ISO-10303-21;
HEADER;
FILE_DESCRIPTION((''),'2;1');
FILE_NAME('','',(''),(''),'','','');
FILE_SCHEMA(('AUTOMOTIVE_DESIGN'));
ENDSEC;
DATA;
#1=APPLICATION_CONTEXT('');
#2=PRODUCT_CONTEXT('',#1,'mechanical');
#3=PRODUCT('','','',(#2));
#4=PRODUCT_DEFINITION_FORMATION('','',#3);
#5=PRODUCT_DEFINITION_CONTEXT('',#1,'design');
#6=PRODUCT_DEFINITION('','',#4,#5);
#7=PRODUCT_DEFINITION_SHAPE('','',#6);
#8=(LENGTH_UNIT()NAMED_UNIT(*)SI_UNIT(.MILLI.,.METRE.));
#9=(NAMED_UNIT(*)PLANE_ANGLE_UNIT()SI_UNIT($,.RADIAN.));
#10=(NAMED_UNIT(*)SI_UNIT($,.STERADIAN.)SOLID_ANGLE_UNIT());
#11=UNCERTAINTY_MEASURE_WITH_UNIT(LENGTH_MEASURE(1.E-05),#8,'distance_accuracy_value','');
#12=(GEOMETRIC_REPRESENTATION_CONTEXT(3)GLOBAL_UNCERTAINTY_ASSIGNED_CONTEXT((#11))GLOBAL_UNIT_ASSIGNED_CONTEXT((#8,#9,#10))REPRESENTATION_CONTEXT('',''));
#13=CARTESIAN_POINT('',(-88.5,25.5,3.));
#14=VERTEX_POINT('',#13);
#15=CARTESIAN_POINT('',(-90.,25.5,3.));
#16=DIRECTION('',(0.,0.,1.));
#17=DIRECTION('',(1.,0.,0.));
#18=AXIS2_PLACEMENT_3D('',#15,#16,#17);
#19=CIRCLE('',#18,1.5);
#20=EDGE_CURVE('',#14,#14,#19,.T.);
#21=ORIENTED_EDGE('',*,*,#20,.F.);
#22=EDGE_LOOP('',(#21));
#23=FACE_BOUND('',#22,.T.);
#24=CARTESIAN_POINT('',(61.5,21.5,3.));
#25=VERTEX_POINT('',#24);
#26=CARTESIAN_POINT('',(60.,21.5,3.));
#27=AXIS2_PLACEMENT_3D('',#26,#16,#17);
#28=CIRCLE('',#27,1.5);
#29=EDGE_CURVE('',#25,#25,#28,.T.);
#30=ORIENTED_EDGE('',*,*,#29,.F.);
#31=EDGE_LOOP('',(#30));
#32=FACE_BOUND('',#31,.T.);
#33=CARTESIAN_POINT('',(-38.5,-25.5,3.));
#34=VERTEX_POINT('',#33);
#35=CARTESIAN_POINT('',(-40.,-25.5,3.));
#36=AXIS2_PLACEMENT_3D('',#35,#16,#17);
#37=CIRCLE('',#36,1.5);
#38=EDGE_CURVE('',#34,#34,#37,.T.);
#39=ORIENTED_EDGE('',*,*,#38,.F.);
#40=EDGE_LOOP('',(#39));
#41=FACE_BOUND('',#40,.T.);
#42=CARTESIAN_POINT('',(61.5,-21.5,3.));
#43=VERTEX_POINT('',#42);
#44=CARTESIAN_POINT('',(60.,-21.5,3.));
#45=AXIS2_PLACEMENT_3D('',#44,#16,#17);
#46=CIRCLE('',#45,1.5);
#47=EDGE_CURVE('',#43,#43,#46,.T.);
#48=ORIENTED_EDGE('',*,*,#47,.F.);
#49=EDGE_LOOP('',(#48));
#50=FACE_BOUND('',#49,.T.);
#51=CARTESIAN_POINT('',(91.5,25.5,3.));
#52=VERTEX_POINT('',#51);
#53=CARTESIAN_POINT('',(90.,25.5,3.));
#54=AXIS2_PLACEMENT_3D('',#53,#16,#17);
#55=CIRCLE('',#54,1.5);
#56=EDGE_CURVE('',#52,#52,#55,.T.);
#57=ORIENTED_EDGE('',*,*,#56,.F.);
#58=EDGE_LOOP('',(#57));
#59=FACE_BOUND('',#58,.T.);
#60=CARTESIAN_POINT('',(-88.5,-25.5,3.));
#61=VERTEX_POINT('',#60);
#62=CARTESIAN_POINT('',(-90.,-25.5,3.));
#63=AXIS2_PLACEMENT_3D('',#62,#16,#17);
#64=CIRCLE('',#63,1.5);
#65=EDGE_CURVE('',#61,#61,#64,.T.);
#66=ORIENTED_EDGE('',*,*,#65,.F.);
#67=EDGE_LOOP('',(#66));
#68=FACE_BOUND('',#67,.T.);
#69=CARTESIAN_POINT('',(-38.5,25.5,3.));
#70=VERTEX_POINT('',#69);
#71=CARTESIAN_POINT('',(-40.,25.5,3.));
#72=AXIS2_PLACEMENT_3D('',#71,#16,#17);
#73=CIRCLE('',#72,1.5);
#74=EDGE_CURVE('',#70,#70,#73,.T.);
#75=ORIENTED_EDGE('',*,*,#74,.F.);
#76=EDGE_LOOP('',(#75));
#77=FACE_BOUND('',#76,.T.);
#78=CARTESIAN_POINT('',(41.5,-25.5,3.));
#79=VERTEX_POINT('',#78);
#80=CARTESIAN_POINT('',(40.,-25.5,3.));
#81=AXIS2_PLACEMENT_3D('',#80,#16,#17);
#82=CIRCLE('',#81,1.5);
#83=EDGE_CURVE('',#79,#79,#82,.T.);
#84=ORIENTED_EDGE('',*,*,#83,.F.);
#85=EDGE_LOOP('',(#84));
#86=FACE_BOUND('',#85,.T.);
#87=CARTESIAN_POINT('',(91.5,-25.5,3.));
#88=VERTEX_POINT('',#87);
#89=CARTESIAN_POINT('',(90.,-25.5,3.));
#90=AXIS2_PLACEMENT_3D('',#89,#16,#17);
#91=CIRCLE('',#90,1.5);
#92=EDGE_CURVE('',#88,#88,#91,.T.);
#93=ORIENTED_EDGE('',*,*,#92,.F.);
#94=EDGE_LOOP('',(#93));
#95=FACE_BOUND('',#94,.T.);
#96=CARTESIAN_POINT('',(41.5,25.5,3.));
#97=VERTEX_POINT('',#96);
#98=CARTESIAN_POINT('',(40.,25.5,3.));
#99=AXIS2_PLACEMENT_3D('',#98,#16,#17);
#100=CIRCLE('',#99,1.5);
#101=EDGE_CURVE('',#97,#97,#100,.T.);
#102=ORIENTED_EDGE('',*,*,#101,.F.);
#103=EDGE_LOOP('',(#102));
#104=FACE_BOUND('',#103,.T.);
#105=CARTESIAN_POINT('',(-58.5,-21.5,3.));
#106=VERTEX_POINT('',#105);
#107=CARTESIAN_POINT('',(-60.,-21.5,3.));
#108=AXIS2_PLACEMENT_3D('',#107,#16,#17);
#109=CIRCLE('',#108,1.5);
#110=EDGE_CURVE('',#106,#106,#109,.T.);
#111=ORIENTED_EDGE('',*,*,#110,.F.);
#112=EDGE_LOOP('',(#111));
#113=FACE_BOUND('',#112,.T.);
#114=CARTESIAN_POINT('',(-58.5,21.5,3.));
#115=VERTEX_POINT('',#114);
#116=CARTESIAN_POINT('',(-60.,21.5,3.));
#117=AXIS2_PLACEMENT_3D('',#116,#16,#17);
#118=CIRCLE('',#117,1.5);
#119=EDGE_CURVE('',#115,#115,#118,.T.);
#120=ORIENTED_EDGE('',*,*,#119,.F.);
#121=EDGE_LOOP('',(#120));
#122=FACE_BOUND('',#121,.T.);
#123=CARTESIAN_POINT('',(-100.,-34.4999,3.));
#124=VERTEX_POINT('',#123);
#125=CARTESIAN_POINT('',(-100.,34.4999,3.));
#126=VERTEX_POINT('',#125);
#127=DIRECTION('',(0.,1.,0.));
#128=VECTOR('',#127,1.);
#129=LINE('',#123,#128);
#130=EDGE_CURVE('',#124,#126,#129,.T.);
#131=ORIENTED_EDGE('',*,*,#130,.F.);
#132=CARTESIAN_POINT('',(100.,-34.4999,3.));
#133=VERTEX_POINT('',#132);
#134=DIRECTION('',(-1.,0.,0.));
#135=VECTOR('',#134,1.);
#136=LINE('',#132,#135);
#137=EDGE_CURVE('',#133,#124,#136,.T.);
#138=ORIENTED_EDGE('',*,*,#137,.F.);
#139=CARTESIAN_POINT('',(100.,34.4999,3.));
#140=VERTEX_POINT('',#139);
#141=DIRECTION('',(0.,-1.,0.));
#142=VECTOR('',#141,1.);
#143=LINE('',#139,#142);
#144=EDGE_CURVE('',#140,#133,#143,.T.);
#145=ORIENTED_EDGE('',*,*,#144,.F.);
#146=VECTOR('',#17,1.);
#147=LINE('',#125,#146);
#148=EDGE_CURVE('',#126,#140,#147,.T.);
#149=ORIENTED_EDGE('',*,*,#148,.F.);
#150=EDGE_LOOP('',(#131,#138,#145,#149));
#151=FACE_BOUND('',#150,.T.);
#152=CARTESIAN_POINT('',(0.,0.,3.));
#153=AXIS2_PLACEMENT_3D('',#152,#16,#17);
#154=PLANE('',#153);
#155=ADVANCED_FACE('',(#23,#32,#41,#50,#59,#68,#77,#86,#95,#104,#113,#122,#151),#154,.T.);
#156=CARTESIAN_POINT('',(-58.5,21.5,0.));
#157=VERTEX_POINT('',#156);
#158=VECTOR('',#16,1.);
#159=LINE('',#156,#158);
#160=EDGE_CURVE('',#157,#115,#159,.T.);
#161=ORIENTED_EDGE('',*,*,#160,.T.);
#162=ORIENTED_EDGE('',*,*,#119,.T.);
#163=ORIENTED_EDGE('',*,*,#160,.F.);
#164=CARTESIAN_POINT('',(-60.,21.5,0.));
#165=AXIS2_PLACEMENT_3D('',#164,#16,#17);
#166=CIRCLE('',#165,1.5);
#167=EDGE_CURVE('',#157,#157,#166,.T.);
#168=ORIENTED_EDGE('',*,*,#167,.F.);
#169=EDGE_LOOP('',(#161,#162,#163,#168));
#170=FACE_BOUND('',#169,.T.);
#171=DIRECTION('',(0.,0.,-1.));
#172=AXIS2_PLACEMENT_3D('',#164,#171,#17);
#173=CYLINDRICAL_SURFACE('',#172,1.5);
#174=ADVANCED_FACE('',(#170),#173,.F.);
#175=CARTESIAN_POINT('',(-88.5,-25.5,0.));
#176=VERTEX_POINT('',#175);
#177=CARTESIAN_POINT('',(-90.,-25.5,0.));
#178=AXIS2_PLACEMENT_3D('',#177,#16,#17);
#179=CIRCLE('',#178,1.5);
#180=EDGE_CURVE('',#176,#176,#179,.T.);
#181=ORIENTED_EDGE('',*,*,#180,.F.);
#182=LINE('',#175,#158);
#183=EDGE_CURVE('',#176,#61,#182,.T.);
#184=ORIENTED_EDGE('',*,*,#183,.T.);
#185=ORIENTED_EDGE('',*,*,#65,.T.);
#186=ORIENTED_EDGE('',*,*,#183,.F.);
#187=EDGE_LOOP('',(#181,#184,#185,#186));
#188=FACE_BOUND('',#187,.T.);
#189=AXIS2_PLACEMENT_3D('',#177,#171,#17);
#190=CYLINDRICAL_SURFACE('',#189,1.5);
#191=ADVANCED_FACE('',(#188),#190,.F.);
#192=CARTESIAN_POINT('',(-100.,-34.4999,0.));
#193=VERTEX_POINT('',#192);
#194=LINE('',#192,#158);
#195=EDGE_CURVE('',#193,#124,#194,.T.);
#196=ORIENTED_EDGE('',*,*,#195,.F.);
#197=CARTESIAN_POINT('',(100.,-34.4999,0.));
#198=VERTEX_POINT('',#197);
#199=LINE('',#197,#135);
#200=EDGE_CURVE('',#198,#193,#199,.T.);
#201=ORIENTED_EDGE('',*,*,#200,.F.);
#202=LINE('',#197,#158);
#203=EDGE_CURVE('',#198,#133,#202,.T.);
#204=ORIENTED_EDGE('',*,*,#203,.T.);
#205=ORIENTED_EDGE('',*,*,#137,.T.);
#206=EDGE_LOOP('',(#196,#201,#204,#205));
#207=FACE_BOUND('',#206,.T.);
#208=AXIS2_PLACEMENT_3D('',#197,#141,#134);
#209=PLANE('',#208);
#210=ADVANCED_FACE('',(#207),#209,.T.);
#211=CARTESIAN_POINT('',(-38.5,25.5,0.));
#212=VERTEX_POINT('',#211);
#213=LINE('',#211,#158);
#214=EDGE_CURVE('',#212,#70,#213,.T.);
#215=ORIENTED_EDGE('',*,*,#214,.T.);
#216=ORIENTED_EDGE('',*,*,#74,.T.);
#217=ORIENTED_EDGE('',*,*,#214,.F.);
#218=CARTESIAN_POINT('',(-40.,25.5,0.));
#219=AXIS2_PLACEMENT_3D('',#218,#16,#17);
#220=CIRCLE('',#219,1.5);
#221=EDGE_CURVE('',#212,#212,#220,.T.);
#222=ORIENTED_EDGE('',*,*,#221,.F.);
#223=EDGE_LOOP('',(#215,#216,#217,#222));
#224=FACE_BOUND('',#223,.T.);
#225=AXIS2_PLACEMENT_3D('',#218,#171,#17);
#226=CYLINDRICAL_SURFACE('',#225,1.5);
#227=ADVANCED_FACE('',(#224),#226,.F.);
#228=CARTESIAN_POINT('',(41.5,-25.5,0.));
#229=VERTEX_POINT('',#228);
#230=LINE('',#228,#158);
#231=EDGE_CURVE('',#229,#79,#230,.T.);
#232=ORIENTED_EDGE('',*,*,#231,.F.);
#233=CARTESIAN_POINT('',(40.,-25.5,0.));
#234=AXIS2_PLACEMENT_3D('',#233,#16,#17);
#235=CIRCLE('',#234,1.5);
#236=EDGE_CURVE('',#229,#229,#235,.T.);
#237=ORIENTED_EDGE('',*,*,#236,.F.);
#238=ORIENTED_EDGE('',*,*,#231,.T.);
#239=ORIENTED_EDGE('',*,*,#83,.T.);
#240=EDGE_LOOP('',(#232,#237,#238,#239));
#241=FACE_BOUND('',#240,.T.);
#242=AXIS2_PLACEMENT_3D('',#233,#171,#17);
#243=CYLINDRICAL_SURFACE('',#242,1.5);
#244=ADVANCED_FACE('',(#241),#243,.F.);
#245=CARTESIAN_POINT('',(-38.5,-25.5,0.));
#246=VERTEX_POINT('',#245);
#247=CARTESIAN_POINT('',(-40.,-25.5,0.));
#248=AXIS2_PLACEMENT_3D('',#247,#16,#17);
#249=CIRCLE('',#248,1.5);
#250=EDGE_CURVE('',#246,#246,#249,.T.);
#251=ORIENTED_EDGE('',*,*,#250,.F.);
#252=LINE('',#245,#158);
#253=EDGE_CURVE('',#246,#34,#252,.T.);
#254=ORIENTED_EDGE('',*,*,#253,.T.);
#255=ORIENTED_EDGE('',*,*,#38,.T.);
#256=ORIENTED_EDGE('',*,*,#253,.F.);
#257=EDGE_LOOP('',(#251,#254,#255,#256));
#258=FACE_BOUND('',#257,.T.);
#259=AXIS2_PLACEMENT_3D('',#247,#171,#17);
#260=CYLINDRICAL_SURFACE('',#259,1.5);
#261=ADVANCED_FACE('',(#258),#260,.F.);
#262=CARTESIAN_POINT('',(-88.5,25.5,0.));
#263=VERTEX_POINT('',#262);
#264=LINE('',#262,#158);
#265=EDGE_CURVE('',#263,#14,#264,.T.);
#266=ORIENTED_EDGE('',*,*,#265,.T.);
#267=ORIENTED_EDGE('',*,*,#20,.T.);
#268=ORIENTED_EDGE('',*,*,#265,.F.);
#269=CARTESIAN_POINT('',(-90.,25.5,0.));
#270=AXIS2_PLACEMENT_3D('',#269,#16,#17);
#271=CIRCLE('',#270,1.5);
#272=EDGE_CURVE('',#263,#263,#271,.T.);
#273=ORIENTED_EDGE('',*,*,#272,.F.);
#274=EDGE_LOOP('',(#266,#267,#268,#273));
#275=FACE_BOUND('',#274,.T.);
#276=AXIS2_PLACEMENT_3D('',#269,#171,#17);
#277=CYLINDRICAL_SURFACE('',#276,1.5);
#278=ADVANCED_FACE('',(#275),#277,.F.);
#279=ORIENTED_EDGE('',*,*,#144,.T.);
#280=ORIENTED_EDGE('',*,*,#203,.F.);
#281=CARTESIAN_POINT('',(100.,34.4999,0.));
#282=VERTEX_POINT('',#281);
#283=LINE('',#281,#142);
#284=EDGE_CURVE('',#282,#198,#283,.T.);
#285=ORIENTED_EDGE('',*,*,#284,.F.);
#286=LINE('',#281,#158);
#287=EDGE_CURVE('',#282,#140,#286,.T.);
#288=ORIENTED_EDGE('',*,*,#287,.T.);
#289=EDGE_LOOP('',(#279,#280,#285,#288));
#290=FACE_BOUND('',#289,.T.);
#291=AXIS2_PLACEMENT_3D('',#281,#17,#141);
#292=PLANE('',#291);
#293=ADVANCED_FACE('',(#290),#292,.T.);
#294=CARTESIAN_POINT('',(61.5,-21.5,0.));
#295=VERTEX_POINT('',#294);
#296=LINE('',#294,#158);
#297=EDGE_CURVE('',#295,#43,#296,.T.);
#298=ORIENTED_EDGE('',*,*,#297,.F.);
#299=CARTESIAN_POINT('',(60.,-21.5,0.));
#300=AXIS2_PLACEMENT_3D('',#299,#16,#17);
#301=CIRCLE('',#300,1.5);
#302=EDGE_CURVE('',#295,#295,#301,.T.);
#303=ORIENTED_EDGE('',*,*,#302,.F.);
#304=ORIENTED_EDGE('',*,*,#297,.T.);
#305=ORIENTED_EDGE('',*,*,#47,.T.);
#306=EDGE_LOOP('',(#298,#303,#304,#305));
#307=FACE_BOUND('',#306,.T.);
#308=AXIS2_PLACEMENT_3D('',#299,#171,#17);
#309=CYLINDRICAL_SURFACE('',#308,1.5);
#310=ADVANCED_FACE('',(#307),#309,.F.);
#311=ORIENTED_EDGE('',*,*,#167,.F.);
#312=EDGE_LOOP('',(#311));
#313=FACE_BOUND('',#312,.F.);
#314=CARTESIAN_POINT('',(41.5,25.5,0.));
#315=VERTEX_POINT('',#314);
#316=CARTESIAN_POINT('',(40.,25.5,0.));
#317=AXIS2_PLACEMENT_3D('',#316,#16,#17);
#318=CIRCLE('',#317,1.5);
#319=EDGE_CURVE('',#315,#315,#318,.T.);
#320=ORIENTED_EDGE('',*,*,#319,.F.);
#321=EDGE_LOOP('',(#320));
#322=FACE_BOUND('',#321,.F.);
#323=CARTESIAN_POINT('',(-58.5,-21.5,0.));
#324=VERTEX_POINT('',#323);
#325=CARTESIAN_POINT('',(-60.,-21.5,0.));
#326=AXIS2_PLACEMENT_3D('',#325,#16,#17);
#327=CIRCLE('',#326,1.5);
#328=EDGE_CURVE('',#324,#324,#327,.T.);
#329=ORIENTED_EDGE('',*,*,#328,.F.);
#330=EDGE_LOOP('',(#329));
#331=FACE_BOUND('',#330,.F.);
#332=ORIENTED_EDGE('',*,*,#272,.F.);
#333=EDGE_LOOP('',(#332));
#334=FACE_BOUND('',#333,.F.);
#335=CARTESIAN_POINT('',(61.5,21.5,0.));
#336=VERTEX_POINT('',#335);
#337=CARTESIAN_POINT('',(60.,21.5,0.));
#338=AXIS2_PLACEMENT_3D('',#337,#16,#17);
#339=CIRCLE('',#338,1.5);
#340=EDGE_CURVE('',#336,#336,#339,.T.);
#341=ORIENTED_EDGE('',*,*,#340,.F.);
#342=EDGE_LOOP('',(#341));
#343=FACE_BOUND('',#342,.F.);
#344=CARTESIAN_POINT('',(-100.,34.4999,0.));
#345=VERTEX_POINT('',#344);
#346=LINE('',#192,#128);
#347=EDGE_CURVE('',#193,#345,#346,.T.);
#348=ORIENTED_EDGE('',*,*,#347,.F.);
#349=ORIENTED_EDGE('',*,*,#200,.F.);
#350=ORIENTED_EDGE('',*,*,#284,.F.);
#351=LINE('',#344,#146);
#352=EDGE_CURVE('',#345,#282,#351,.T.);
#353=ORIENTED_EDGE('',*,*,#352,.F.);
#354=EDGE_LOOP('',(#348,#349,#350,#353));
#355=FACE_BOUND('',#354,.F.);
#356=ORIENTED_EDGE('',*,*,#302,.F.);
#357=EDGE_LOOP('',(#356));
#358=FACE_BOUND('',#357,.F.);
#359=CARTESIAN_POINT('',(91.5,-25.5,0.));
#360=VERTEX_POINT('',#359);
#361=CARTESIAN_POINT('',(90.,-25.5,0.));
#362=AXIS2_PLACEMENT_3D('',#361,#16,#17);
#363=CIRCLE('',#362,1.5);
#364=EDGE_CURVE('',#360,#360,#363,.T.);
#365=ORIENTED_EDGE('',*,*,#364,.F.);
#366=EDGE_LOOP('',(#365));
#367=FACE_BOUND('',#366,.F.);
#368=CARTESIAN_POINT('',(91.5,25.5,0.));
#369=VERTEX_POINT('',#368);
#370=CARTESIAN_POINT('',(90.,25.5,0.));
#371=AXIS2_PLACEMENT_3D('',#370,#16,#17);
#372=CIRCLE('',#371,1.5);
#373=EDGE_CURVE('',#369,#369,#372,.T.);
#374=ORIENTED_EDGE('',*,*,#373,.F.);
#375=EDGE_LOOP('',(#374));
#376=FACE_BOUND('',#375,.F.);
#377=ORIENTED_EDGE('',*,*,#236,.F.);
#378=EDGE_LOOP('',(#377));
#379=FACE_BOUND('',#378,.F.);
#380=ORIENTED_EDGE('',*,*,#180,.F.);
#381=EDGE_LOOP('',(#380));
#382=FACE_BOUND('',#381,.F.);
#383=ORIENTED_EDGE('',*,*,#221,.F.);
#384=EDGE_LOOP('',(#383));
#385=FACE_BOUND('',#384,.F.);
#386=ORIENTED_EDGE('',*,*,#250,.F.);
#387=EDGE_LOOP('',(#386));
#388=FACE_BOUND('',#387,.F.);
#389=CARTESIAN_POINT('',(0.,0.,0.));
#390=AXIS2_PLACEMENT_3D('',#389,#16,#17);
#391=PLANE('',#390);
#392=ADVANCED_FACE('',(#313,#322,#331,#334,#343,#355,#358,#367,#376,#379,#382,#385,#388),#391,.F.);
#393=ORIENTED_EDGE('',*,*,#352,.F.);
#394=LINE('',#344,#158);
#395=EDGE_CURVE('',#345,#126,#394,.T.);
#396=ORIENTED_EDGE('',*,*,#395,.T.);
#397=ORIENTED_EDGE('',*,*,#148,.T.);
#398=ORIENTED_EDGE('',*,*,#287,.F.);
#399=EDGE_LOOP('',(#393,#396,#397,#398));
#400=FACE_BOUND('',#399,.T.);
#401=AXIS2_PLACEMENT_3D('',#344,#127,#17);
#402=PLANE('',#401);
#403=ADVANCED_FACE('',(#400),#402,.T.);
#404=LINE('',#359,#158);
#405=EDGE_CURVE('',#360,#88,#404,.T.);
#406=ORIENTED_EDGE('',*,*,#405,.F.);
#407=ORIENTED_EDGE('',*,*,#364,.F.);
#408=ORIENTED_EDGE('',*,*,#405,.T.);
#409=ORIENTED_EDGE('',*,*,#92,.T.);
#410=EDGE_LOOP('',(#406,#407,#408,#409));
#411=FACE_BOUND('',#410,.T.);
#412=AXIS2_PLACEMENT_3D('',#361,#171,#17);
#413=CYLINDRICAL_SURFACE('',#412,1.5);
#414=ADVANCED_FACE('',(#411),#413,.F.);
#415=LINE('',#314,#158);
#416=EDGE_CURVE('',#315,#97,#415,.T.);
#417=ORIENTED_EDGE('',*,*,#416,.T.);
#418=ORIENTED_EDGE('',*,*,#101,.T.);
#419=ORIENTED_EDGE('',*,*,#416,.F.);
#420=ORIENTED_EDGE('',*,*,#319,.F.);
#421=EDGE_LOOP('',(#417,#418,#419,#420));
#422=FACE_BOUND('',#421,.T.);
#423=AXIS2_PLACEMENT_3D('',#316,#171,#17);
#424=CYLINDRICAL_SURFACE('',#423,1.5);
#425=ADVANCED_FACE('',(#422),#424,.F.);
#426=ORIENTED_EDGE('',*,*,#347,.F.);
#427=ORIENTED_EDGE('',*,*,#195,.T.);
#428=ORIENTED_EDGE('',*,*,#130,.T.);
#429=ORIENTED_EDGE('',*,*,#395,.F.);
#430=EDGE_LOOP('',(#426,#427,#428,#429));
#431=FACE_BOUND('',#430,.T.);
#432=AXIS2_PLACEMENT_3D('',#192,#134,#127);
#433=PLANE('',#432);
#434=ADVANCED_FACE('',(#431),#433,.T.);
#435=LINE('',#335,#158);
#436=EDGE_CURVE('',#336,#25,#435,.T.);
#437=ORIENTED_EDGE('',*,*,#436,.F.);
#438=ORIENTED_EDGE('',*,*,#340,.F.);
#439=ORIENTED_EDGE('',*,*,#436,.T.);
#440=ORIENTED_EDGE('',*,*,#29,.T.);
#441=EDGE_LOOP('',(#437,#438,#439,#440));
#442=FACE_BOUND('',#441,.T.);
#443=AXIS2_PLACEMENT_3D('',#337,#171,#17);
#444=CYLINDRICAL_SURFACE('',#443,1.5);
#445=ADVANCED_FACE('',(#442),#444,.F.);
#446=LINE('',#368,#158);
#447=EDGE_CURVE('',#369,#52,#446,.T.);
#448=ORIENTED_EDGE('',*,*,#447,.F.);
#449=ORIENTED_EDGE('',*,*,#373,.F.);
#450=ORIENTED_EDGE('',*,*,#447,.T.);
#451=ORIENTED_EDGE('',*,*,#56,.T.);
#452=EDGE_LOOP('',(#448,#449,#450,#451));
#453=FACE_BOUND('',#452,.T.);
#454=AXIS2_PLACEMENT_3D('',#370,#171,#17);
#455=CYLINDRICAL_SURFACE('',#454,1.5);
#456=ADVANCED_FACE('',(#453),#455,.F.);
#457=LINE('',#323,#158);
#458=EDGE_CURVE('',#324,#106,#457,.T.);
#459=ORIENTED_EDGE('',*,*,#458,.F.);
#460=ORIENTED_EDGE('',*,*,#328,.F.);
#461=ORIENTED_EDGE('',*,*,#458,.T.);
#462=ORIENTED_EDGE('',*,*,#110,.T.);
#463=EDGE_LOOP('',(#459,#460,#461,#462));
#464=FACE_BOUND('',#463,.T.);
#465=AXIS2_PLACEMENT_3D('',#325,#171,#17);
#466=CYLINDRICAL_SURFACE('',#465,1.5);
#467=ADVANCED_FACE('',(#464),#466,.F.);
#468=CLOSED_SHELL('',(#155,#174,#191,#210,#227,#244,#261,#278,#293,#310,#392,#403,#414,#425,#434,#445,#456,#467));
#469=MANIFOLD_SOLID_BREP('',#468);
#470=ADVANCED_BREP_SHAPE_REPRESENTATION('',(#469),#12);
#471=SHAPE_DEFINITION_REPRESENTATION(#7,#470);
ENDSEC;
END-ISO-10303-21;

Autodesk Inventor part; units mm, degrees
ref_plane "YZ Plane" through (0, 0, 0) normal (1, 0, 0) x (0, 1, 0)
ref_plane "XZ Plane" through (0, 0, 0) normal (0, 1, 0) x (-1, 0, 0)
ref_plane "XY Plane" through (0, 0, 0) normal (0, 0, 1) x (1, 0, 0)
sketch "Sketch1" plane through (0, 0, 0) normal (0, 0, 1) x (1, 0, 0)
  line L0 (-100, 34.4999) -> (100, 34.4999)
  line L1 (100, 34.4999) -> (100, -34.4999)
  line L2 (100, -34.4999) -> (-100, -34.4999)
  line L3 (-100, -34.4999) -> (-100, 34.4999)
  line L4 (-100, 34.4999) -> (100, -34.4999) construction
  line L5 (100, 34.4999) -> (-100, -34.4999) construction
  circle A0 centre (40, 25.5) radius 1.5
  line L6 (-40, 55.9999) -> (160, -12.9999) construction
  line L7 (160, 55.9999) -> (-40, -12.9999) construction
  circle A1 centre (60, 21.5) radius 1.5
  circle A2 centre (90, 25.5) radius 1.5
  circle A3 centre (-40, -25.5) radius 1.5
  circle A4 centre (40, -25.5) radius 1.5
  circle A5 centre (-40, 25.5) radius 1.5
  circle A6 centre (-60, -21.5) radius 1.5
  circle A7 centre (-60, 21.5) radius 1.5
  circle A8 centre (60, -21.5) radius 1.5
  circle A9 centre (90, -25.5) radius 1.5
  circle A10 centre (-90, -25.5) radius 1.5
  circle A11 centre (-90, 25.5) radius 1.5
extrude "Extrusion1" add sketch "Sketch1" along normal blind 3
properties part number "Power Distribution Board - Chassis redo"
